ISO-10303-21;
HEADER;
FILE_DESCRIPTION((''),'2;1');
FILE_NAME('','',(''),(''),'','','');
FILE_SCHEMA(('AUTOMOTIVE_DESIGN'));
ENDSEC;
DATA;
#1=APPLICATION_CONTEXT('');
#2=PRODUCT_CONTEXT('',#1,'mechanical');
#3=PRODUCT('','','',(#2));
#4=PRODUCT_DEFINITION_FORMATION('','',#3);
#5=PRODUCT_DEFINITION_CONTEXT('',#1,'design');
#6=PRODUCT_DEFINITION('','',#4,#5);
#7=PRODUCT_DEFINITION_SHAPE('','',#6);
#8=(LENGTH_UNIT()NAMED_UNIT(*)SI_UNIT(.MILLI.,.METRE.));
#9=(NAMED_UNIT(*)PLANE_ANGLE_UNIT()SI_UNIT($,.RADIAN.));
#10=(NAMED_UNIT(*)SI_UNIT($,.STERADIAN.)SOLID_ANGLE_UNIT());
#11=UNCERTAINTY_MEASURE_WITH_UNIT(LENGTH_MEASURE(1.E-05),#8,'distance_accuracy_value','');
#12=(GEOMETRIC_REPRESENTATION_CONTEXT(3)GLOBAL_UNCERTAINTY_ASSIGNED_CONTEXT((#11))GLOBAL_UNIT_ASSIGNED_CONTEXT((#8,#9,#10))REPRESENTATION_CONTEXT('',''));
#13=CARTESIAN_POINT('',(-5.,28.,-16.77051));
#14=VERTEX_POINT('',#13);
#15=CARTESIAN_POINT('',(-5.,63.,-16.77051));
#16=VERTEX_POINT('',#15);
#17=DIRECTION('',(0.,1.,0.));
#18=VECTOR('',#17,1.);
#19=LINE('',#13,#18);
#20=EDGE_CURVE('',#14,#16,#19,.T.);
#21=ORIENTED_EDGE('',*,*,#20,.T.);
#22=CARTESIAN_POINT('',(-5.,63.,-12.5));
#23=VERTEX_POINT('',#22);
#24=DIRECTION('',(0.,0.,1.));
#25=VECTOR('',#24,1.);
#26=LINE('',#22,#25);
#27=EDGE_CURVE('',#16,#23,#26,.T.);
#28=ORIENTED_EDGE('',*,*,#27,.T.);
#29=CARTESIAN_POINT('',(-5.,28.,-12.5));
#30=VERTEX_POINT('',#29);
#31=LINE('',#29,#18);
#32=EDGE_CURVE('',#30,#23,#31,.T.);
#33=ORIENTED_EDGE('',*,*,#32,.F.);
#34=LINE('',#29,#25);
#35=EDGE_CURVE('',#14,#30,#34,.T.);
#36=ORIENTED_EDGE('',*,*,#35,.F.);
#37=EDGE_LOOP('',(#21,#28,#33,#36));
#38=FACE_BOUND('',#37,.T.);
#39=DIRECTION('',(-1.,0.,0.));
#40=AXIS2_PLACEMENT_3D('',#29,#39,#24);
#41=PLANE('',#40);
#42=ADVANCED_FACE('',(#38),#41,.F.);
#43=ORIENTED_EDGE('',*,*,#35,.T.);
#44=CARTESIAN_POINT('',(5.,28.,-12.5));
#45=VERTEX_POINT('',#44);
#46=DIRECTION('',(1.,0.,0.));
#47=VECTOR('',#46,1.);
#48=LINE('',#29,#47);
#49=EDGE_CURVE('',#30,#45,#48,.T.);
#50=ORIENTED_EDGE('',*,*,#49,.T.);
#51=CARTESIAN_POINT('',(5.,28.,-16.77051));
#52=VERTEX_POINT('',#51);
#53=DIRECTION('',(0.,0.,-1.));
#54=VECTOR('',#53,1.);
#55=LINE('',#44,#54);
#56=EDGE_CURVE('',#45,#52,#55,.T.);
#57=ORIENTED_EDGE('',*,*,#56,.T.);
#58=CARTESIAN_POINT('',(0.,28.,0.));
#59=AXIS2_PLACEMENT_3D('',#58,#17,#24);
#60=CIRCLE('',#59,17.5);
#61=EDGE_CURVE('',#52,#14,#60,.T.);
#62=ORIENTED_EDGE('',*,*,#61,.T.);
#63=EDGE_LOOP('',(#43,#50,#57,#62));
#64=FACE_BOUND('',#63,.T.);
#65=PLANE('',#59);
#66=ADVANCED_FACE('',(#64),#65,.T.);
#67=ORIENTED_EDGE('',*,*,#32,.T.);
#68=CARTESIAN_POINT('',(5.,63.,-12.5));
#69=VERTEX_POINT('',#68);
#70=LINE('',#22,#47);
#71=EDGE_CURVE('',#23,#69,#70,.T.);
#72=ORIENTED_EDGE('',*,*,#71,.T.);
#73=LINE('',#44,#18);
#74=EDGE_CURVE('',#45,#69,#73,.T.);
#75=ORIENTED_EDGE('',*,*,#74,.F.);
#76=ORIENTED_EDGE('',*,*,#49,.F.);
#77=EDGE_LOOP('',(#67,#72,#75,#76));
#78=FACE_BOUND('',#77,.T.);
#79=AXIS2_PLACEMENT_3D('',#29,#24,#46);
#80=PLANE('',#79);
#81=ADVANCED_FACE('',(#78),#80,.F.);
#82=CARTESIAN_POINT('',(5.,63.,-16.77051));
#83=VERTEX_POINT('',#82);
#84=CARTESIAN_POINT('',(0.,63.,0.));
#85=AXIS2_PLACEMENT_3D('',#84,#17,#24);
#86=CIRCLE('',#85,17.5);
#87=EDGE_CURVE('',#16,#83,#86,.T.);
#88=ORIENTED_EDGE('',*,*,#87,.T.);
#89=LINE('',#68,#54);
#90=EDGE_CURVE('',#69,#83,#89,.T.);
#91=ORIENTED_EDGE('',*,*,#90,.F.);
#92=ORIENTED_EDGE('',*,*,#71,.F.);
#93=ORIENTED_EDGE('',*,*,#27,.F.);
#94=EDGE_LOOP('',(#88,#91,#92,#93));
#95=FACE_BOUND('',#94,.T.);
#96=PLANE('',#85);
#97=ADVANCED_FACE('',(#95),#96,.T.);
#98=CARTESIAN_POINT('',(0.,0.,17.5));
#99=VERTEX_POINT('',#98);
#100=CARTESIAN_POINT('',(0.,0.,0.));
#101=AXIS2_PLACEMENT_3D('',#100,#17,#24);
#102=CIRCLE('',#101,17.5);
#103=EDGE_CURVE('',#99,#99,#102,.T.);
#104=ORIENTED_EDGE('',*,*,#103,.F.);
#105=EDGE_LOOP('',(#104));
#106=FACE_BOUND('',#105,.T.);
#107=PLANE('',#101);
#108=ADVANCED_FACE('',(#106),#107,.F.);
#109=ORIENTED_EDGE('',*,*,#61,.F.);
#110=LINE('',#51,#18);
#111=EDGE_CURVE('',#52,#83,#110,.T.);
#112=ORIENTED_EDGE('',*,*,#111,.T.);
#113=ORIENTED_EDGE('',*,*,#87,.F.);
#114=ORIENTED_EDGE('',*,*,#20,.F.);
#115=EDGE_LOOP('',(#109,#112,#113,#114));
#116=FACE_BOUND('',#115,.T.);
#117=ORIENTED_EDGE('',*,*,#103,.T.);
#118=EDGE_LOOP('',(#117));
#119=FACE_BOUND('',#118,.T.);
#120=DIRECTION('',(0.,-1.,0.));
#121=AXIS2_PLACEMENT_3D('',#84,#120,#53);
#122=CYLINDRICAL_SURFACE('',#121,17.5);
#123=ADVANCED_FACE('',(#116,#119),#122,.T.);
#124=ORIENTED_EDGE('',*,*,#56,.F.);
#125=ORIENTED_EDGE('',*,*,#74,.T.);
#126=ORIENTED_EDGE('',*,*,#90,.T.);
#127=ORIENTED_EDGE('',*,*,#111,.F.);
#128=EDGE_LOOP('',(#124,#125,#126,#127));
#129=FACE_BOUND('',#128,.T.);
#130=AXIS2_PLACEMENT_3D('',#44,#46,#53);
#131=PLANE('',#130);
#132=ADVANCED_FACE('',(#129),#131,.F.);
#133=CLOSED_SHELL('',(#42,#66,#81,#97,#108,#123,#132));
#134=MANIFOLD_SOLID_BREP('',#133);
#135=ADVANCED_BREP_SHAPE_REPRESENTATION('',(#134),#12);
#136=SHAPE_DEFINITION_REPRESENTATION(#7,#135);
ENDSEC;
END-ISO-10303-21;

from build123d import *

# Parameters (mm, degrees)
SKETCH1_R           = 17.5
BOSS_EXTRUDE1_DEPTH = 63
CUT_EXTRUDE1_START  = -35
CUT_EXTRUDE1_DEPTH  = 35


with BuildPart() as part:
    # Sketch1 → Boss-Extrude1 (new body)
    with BuildSketch(Plane(origin=(0, 0, 0), x_dir=(1, 0, 0), z_dir=(0, 1, 0))):
        with Locations(Location((0, 0, 0), (0, 0, 270))):
            Circle(SKETCH1_R)
    extrude(amount=BOSS_EXTRUDE1_DEPTH)

    # Sketch2 → Cut-Extrude1 (cut)
    with BuildSketch(Plane(origin=(0, 63, 0), x_dir=(1, 0, 0), z_dir=(0, 1, 0)).offset(CUT_EXTRUDE1_START)):
        with BuildLine():
            Line((-5, 12.5), (5, 12.5))
            Line((5, 12.5), (5, 16.770509831))
            ThreePointArc((5, 16.770509831), (0, 17.5), (-5, 16.770509831))
            Line((-5, 16.770509831), (-5, 12.5))
        make_face()
    extrude(amount=CUT_EXTRUDE1_DEPTH, mode=Mode.SUBTRACT)


solid = part.part
